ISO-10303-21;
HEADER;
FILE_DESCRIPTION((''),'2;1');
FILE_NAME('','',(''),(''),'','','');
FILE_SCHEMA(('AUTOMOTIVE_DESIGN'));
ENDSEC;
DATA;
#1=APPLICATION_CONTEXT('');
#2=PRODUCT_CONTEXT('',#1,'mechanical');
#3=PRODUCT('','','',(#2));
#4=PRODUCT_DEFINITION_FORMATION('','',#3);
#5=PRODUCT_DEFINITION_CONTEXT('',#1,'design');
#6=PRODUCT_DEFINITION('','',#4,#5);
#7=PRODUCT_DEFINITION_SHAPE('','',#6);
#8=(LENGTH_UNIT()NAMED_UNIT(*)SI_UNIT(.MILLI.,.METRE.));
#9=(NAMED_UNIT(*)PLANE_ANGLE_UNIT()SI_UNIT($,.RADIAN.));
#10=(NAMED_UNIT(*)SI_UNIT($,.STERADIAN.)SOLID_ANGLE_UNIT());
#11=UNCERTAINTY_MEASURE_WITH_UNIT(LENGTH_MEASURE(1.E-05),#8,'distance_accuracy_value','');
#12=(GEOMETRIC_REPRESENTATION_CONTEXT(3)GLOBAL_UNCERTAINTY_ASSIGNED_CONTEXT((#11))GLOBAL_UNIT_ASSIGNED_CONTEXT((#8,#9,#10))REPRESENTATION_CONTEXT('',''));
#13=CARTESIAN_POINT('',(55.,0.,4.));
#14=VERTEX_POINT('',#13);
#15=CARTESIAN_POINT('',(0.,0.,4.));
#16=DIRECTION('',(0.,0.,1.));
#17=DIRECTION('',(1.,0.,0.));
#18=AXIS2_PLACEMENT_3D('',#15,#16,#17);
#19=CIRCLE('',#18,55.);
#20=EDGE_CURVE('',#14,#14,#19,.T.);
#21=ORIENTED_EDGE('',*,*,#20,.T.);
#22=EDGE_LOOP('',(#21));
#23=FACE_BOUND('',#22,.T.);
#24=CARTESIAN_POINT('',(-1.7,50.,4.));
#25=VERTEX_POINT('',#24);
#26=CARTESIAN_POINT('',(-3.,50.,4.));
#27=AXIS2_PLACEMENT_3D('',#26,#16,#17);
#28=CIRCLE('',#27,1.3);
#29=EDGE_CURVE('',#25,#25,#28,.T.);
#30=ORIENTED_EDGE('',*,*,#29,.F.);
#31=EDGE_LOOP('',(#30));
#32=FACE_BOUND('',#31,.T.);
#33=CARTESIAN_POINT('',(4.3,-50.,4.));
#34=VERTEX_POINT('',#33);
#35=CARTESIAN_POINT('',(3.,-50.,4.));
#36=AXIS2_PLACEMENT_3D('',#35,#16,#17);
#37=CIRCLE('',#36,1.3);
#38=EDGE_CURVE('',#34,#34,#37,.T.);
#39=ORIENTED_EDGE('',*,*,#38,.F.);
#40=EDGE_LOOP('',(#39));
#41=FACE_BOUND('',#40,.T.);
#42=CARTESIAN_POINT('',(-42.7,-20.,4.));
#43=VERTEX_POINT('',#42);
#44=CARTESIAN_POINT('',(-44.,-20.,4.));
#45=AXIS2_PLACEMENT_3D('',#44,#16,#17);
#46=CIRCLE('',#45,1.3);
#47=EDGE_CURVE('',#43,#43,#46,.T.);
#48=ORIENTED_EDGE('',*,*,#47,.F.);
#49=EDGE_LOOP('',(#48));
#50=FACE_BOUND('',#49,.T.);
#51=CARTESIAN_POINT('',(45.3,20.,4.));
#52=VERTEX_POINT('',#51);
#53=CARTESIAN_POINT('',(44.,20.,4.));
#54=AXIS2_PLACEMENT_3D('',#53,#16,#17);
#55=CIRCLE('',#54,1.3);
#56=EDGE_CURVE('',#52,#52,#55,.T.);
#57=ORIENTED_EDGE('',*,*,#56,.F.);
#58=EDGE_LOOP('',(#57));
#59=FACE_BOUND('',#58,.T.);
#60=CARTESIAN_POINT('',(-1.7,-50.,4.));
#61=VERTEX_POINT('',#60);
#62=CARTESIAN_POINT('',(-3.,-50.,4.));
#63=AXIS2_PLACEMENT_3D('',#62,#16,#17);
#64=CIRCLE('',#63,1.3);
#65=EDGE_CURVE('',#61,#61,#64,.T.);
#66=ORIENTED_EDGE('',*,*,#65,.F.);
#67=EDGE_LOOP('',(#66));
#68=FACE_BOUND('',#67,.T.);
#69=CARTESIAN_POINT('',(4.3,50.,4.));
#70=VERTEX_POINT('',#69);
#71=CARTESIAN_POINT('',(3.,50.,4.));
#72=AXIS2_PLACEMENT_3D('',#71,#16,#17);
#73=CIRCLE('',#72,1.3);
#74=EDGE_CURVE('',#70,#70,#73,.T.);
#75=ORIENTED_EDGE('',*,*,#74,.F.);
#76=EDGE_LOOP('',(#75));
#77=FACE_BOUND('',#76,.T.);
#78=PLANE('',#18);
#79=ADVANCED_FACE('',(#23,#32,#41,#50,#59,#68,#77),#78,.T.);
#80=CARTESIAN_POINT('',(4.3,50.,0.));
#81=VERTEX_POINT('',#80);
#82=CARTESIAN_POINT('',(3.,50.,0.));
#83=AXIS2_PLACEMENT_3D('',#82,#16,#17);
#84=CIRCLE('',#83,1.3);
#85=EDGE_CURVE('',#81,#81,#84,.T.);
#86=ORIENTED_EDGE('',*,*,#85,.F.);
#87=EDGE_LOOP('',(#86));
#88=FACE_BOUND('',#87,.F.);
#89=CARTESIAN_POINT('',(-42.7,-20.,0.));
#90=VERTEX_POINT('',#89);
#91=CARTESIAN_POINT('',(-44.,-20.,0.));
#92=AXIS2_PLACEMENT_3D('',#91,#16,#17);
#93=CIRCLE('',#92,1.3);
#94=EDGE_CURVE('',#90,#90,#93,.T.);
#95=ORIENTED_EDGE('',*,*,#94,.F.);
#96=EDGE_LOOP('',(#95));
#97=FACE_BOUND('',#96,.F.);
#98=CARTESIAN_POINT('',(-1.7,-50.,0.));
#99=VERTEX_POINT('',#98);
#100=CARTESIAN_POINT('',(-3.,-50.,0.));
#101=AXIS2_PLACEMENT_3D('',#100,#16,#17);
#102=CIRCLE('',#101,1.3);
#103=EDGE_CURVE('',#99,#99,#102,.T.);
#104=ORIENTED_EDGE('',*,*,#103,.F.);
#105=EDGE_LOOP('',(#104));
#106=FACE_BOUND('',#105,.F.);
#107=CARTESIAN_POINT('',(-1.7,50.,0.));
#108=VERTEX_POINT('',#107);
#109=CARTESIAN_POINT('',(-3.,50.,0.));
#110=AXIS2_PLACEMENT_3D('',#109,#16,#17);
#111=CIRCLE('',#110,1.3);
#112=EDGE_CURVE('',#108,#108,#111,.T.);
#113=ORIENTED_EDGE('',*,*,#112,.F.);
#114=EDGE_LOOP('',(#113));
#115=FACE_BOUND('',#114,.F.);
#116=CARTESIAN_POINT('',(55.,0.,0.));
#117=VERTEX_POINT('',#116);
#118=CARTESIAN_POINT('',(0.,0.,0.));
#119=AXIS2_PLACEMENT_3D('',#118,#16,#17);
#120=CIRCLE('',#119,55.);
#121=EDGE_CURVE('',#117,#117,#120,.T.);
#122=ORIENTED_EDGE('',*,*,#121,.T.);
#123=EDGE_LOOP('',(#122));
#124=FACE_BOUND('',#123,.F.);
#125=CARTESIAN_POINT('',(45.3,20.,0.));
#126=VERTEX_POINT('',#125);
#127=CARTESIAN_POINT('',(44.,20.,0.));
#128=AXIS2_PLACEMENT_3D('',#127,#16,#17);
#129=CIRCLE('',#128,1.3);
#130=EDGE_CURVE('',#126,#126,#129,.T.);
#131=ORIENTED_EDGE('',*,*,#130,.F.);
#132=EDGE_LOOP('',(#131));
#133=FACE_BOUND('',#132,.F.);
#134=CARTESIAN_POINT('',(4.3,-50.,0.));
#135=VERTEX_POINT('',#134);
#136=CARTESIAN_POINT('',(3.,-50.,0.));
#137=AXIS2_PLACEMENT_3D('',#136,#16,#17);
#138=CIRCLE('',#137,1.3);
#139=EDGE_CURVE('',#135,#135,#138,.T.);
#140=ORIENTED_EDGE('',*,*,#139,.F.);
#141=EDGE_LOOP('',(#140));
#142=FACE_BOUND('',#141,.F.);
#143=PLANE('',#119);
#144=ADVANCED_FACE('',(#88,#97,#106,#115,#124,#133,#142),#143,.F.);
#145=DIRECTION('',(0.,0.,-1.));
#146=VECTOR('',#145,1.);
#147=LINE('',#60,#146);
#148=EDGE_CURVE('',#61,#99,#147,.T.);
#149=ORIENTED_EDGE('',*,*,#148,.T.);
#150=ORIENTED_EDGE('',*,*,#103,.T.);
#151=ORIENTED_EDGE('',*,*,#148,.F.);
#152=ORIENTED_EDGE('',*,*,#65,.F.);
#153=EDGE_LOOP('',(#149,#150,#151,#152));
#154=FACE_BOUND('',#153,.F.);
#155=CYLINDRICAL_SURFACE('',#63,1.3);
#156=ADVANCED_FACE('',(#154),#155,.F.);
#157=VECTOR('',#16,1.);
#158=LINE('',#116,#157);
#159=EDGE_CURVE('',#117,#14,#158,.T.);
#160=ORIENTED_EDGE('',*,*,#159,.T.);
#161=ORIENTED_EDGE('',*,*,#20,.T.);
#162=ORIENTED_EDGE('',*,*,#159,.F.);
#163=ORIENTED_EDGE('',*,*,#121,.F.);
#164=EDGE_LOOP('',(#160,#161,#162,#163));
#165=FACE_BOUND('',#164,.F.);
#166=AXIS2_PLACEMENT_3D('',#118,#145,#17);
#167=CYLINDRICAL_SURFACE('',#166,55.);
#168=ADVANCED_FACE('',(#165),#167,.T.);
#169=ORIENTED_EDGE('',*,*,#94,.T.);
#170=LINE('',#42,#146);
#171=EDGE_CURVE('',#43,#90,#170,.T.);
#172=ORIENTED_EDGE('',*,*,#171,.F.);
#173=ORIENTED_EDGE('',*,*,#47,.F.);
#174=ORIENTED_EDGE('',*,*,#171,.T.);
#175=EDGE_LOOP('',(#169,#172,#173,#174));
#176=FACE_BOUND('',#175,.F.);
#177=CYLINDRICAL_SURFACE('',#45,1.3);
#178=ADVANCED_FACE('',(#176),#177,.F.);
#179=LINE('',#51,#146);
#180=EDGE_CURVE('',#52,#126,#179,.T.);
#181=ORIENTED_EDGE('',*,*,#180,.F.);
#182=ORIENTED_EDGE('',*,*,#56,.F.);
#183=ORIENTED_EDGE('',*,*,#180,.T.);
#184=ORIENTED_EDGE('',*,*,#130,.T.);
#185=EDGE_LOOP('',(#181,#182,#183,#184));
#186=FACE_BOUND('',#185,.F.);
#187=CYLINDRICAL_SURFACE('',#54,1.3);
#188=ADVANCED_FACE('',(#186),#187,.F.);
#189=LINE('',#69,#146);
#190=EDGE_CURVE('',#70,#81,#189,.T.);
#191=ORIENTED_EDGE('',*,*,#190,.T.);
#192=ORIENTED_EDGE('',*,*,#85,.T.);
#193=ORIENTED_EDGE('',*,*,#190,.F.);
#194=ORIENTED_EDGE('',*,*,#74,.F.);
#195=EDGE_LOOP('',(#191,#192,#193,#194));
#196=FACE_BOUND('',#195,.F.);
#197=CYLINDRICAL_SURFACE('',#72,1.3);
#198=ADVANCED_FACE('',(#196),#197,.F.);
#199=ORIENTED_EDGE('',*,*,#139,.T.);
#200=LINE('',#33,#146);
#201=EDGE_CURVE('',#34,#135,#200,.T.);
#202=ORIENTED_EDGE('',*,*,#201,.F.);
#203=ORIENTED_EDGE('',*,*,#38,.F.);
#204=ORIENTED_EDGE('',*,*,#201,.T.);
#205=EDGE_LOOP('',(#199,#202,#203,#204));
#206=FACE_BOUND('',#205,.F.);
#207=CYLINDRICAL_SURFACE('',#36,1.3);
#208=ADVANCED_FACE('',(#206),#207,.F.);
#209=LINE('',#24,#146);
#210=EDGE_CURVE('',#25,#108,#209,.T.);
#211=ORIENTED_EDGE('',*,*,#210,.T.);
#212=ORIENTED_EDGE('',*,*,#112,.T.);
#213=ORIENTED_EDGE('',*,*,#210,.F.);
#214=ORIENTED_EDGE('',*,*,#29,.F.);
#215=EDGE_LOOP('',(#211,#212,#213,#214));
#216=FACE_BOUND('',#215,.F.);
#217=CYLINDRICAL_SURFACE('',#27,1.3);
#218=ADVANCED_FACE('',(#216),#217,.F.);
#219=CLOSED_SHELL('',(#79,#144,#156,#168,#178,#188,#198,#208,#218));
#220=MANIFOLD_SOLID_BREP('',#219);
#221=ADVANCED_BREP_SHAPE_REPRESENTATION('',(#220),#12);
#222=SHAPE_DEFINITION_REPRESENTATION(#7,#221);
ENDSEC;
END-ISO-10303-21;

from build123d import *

# Parameters (mm, degrees)
SKETCH_R        = 55
PAD_DEPTH       = 4
SKETCH003_R     = 1.3
POCKET001_DEPTH = 5
SKETCH004_R     = 1.3
POCKET_DEPTH    = 5


with BuildPart() as part:
    # Sketch → Pad (new body)
    with BuildSketch(Plane.XY):
        Circle(SKETCH_R)
    extrude(amount=PAD_DEPTH)

    # Sketch003 → Pocket001 (cut)
    with BuildSketch(Plane.XY.offset(4)):
        with Locations((-44, -20)):
            Circle(SKETCH003_R)
        with Locations((44, 20)):
            Circle(SKETCH003_R)
    extrude(amount=-POCKET001_DEPTH, mode=Mode.SUBTRACT)

    # Sketch004 (on Face3 of Pocket001) → Pocket (cut)
    with BuildSketch(Plane.XY.offset(4)):
        with Locations((3, -50)):
            Circle(SKETCH004_R)
        with Locations((-3, -50)):
            Circle(SKETCH004_R)
        with Locations((-3, 50)):
            Circle(SKETCH004_R)
        with Locations((3, 50)):
            Circle(SKETCH004_R)
    extrude(amount=-POCKET_DEPTH, mode=Mode.SUBTRACT)


solid = part.part
